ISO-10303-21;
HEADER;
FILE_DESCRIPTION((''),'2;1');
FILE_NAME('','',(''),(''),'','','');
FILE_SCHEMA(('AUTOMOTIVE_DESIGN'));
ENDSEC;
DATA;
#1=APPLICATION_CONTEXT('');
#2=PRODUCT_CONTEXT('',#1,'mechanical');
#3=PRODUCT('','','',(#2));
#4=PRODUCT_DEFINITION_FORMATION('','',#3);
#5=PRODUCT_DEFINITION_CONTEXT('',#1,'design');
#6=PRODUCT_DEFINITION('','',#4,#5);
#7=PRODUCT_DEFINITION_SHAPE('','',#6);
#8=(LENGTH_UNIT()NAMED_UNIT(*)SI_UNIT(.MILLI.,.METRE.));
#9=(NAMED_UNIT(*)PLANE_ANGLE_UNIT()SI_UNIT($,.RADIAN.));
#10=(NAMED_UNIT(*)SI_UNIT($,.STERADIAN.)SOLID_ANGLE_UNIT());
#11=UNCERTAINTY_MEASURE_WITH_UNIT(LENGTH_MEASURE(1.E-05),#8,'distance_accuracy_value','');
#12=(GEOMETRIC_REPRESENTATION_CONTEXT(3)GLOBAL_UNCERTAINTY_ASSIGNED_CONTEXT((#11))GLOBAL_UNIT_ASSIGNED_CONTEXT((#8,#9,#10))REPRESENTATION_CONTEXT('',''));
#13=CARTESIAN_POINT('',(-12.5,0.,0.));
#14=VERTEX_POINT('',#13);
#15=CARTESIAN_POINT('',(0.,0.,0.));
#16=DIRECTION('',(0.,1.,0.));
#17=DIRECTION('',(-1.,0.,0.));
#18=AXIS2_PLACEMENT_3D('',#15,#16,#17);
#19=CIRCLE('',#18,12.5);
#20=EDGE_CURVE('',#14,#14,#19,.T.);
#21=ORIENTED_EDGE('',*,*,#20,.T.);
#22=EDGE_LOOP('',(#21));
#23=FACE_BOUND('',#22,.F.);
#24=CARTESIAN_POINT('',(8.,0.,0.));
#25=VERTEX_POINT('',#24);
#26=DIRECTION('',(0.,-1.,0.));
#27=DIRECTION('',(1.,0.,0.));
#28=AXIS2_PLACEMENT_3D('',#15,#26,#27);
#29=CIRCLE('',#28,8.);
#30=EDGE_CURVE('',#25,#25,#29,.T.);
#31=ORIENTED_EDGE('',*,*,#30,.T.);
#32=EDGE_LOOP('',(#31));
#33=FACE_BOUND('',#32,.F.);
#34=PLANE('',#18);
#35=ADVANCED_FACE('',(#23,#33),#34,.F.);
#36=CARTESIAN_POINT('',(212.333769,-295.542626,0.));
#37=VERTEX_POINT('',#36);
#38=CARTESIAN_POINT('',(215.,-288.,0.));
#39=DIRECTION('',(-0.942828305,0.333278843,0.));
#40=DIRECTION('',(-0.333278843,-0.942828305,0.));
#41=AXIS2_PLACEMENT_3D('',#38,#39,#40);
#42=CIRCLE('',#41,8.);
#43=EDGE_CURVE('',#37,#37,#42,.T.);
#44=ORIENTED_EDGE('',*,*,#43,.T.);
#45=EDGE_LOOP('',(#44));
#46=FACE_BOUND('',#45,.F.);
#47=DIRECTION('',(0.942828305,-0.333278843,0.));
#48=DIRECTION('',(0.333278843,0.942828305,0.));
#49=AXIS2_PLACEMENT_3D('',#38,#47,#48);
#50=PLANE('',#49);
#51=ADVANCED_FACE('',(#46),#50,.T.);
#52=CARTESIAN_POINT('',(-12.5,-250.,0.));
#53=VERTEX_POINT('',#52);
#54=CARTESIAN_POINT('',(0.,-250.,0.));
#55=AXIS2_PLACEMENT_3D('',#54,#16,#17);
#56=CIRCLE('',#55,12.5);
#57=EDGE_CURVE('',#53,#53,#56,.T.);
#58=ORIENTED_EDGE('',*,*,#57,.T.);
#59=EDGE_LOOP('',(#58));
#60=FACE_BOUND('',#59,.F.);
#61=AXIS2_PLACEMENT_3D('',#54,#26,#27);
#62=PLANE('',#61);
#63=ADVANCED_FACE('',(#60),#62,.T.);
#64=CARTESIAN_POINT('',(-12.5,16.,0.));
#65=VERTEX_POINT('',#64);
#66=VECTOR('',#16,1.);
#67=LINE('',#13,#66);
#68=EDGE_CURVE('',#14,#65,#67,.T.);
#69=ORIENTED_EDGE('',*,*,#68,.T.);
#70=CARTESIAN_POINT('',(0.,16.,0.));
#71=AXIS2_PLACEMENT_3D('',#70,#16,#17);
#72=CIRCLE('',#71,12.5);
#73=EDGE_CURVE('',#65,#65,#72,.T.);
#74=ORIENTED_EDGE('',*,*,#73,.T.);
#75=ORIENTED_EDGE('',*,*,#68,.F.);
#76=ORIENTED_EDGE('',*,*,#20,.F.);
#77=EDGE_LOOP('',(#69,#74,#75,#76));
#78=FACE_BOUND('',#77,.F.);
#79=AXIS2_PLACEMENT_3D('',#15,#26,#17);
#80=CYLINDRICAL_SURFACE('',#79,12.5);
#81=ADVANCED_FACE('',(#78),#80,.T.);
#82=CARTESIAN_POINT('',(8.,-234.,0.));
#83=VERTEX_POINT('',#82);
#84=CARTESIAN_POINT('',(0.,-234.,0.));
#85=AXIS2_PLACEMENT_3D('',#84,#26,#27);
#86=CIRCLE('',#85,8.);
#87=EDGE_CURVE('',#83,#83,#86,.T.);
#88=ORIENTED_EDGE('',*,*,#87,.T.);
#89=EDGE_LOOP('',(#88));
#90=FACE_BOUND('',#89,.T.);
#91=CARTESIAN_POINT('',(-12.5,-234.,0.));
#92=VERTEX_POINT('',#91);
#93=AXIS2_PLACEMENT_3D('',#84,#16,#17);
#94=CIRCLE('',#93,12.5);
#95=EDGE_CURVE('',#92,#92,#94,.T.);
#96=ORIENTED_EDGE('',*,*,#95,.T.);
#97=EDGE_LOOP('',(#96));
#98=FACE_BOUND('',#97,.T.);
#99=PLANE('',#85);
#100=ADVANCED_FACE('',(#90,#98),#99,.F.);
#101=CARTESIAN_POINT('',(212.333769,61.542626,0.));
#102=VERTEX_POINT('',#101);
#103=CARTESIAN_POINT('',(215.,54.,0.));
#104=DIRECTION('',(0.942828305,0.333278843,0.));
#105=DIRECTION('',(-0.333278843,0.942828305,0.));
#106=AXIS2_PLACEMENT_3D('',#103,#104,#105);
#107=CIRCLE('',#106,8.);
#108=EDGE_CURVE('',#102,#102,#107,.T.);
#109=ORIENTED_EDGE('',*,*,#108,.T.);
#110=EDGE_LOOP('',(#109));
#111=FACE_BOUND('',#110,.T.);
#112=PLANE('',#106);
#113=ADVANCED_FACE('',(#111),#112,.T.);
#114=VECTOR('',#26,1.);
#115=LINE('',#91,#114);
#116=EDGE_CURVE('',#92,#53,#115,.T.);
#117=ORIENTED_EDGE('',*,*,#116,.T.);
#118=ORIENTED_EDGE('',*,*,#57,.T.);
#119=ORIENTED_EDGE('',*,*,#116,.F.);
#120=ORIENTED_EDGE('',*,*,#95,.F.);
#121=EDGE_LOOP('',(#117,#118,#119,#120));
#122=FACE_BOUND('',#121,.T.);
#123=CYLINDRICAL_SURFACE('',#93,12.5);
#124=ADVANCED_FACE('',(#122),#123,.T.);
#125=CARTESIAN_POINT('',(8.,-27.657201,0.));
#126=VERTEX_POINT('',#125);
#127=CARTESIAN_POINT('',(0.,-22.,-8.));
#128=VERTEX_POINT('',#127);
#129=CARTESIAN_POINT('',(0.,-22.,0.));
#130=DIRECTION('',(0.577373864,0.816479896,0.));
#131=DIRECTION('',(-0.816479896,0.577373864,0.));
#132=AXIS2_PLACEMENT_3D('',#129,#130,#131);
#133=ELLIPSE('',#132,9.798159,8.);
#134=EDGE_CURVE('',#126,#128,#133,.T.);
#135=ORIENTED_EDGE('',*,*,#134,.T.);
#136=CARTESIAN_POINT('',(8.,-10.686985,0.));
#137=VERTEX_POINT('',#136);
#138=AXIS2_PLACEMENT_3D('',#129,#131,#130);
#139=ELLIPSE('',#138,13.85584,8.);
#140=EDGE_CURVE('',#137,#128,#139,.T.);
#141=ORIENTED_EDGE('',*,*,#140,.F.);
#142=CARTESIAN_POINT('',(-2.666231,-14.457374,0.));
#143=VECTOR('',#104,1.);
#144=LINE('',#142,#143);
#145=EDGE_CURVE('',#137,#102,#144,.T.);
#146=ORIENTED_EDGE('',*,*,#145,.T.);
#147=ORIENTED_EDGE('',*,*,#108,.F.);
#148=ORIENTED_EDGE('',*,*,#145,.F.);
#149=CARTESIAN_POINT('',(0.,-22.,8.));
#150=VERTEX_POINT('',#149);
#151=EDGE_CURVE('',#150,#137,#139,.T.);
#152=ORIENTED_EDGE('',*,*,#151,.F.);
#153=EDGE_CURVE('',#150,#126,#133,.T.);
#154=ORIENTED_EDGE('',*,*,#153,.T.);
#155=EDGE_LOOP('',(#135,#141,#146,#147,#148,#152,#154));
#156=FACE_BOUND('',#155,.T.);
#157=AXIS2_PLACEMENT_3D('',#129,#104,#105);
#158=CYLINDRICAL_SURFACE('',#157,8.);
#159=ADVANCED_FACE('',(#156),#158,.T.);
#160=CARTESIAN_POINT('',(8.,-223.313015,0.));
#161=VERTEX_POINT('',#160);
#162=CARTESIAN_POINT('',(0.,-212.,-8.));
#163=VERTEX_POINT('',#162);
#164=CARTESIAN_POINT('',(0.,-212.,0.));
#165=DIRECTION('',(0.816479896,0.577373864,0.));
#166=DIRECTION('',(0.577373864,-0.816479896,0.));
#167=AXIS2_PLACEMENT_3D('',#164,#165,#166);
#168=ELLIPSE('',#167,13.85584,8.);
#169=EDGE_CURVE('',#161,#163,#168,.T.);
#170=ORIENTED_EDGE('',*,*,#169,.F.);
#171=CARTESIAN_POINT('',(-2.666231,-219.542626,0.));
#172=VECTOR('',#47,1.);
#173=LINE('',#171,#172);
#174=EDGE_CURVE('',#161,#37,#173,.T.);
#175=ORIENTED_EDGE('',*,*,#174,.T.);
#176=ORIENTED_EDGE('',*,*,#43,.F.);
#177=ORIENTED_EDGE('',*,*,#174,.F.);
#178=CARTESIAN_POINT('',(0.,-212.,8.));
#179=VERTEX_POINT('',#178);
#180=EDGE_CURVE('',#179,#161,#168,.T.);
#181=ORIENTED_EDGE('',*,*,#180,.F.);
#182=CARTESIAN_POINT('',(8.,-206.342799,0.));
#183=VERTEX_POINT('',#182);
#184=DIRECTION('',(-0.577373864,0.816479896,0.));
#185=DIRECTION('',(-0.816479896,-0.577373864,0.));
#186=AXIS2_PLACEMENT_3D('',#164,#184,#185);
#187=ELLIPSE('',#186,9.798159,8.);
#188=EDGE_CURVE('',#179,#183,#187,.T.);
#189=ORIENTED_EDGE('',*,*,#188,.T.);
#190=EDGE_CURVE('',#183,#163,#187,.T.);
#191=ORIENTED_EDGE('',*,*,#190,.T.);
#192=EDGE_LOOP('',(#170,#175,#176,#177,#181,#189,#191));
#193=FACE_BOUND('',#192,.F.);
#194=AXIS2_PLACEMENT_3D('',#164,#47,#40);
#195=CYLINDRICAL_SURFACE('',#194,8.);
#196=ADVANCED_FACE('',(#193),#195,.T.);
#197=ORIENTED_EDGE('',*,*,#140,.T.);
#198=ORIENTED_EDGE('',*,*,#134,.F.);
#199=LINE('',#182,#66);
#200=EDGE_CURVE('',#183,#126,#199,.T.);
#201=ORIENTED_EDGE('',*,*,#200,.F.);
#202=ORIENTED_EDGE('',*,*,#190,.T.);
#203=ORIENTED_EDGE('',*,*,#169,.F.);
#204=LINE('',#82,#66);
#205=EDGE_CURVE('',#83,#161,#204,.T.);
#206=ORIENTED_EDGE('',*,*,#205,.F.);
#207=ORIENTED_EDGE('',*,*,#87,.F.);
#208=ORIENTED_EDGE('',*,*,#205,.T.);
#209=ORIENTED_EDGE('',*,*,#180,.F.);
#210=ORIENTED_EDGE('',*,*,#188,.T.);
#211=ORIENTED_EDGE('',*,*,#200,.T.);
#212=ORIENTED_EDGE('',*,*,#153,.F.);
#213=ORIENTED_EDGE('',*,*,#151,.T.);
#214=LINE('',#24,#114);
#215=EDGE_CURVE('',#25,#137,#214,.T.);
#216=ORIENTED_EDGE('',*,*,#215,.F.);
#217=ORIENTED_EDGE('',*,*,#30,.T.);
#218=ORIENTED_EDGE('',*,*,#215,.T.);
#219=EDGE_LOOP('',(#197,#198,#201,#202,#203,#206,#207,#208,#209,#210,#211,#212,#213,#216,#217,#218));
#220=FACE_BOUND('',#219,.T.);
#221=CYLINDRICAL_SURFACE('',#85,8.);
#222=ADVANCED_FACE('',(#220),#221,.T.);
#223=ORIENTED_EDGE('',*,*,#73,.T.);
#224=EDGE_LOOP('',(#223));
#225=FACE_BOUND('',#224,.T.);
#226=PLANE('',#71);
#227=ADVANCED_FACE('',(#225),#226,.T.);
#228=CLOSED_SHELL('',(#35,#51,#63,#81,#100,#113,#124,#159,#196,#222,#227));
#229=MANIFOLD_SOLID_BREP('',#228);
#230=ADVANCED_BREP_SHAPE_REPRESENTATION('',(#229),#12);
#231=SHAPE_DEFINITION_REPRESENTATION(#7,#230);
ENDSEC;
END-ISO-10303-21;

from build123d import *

# Parameters (mm, degrees)
F0_R     = 8
F1_DEPTH = 234
F2_R     = 12.5
F2_R_2   = 8
F3_DEPTH = 16
F4_R     = 12.5
F5_DEPTH = 16
F7_W     = 95.3162200749
F7_H     = 152.7085006237
F8_DEPTH = 50
F10_R    = 8


with BuildPart() as f1:
    # F0 (on Front) → F1 (new body)
    with BuildSketch(Plane.XZ):
        Circle(F0_R)
    extrude(amount=F1_DEPTH)

    # F2 (on face) → F3 (join)
    with BuildSketch(Plane.XZ.offset(234)):
        Circle(F2_R)
        Circle(F2_R_2, mode=Mode.SUBTRACT)
        Circle(F2_R_2)
    extrude(amount=F3_DEPTH)

    # F4 (on face) → F5 (join)
    with BuildSketch(Plane(origin=(0, 0, 0), x_dir=(-1, 0, 0), z_dir=(0, 1, 0))):
        Circle(F4_R)
    extrude(amount=F5_DEPTH)

    # F7 (on Top) → F8 (cut, symmetric)
    with BuildSketch(Plane.XY):
        with Locations((7.3376540095, -193.3542503119)):
            Rectangle(F7_W, F7_H)
    extrude(amount=F8_DEPTH, both=True, mode=Mode.SUBTRACT)

    # F11: sweep along a path in F6
    with BuildLine(Plane.XY) as f11_path:
        Line((0, -22), (215, 54))
    # F10 (on line) → F11 (sweep)
    with BuildSketch(Plane(origin=(-6.9129439818, -2.4436453145, 0), x_dir=(-0.3332788427, 0.9428283051, 0), z_dir=(0.9428283051, 0.3332788427, 0))):
        with Locations((-20.7422227131, 0)):
            Circle(F10_R)
    sweep(path=f11_path.line)

    # F12: F1 across face


with BuildPart() as f1_1:
    add(f1.part)
    add(f1.part.mirror(Plane.XZ.offset(117)))


solid = f1_1.part
